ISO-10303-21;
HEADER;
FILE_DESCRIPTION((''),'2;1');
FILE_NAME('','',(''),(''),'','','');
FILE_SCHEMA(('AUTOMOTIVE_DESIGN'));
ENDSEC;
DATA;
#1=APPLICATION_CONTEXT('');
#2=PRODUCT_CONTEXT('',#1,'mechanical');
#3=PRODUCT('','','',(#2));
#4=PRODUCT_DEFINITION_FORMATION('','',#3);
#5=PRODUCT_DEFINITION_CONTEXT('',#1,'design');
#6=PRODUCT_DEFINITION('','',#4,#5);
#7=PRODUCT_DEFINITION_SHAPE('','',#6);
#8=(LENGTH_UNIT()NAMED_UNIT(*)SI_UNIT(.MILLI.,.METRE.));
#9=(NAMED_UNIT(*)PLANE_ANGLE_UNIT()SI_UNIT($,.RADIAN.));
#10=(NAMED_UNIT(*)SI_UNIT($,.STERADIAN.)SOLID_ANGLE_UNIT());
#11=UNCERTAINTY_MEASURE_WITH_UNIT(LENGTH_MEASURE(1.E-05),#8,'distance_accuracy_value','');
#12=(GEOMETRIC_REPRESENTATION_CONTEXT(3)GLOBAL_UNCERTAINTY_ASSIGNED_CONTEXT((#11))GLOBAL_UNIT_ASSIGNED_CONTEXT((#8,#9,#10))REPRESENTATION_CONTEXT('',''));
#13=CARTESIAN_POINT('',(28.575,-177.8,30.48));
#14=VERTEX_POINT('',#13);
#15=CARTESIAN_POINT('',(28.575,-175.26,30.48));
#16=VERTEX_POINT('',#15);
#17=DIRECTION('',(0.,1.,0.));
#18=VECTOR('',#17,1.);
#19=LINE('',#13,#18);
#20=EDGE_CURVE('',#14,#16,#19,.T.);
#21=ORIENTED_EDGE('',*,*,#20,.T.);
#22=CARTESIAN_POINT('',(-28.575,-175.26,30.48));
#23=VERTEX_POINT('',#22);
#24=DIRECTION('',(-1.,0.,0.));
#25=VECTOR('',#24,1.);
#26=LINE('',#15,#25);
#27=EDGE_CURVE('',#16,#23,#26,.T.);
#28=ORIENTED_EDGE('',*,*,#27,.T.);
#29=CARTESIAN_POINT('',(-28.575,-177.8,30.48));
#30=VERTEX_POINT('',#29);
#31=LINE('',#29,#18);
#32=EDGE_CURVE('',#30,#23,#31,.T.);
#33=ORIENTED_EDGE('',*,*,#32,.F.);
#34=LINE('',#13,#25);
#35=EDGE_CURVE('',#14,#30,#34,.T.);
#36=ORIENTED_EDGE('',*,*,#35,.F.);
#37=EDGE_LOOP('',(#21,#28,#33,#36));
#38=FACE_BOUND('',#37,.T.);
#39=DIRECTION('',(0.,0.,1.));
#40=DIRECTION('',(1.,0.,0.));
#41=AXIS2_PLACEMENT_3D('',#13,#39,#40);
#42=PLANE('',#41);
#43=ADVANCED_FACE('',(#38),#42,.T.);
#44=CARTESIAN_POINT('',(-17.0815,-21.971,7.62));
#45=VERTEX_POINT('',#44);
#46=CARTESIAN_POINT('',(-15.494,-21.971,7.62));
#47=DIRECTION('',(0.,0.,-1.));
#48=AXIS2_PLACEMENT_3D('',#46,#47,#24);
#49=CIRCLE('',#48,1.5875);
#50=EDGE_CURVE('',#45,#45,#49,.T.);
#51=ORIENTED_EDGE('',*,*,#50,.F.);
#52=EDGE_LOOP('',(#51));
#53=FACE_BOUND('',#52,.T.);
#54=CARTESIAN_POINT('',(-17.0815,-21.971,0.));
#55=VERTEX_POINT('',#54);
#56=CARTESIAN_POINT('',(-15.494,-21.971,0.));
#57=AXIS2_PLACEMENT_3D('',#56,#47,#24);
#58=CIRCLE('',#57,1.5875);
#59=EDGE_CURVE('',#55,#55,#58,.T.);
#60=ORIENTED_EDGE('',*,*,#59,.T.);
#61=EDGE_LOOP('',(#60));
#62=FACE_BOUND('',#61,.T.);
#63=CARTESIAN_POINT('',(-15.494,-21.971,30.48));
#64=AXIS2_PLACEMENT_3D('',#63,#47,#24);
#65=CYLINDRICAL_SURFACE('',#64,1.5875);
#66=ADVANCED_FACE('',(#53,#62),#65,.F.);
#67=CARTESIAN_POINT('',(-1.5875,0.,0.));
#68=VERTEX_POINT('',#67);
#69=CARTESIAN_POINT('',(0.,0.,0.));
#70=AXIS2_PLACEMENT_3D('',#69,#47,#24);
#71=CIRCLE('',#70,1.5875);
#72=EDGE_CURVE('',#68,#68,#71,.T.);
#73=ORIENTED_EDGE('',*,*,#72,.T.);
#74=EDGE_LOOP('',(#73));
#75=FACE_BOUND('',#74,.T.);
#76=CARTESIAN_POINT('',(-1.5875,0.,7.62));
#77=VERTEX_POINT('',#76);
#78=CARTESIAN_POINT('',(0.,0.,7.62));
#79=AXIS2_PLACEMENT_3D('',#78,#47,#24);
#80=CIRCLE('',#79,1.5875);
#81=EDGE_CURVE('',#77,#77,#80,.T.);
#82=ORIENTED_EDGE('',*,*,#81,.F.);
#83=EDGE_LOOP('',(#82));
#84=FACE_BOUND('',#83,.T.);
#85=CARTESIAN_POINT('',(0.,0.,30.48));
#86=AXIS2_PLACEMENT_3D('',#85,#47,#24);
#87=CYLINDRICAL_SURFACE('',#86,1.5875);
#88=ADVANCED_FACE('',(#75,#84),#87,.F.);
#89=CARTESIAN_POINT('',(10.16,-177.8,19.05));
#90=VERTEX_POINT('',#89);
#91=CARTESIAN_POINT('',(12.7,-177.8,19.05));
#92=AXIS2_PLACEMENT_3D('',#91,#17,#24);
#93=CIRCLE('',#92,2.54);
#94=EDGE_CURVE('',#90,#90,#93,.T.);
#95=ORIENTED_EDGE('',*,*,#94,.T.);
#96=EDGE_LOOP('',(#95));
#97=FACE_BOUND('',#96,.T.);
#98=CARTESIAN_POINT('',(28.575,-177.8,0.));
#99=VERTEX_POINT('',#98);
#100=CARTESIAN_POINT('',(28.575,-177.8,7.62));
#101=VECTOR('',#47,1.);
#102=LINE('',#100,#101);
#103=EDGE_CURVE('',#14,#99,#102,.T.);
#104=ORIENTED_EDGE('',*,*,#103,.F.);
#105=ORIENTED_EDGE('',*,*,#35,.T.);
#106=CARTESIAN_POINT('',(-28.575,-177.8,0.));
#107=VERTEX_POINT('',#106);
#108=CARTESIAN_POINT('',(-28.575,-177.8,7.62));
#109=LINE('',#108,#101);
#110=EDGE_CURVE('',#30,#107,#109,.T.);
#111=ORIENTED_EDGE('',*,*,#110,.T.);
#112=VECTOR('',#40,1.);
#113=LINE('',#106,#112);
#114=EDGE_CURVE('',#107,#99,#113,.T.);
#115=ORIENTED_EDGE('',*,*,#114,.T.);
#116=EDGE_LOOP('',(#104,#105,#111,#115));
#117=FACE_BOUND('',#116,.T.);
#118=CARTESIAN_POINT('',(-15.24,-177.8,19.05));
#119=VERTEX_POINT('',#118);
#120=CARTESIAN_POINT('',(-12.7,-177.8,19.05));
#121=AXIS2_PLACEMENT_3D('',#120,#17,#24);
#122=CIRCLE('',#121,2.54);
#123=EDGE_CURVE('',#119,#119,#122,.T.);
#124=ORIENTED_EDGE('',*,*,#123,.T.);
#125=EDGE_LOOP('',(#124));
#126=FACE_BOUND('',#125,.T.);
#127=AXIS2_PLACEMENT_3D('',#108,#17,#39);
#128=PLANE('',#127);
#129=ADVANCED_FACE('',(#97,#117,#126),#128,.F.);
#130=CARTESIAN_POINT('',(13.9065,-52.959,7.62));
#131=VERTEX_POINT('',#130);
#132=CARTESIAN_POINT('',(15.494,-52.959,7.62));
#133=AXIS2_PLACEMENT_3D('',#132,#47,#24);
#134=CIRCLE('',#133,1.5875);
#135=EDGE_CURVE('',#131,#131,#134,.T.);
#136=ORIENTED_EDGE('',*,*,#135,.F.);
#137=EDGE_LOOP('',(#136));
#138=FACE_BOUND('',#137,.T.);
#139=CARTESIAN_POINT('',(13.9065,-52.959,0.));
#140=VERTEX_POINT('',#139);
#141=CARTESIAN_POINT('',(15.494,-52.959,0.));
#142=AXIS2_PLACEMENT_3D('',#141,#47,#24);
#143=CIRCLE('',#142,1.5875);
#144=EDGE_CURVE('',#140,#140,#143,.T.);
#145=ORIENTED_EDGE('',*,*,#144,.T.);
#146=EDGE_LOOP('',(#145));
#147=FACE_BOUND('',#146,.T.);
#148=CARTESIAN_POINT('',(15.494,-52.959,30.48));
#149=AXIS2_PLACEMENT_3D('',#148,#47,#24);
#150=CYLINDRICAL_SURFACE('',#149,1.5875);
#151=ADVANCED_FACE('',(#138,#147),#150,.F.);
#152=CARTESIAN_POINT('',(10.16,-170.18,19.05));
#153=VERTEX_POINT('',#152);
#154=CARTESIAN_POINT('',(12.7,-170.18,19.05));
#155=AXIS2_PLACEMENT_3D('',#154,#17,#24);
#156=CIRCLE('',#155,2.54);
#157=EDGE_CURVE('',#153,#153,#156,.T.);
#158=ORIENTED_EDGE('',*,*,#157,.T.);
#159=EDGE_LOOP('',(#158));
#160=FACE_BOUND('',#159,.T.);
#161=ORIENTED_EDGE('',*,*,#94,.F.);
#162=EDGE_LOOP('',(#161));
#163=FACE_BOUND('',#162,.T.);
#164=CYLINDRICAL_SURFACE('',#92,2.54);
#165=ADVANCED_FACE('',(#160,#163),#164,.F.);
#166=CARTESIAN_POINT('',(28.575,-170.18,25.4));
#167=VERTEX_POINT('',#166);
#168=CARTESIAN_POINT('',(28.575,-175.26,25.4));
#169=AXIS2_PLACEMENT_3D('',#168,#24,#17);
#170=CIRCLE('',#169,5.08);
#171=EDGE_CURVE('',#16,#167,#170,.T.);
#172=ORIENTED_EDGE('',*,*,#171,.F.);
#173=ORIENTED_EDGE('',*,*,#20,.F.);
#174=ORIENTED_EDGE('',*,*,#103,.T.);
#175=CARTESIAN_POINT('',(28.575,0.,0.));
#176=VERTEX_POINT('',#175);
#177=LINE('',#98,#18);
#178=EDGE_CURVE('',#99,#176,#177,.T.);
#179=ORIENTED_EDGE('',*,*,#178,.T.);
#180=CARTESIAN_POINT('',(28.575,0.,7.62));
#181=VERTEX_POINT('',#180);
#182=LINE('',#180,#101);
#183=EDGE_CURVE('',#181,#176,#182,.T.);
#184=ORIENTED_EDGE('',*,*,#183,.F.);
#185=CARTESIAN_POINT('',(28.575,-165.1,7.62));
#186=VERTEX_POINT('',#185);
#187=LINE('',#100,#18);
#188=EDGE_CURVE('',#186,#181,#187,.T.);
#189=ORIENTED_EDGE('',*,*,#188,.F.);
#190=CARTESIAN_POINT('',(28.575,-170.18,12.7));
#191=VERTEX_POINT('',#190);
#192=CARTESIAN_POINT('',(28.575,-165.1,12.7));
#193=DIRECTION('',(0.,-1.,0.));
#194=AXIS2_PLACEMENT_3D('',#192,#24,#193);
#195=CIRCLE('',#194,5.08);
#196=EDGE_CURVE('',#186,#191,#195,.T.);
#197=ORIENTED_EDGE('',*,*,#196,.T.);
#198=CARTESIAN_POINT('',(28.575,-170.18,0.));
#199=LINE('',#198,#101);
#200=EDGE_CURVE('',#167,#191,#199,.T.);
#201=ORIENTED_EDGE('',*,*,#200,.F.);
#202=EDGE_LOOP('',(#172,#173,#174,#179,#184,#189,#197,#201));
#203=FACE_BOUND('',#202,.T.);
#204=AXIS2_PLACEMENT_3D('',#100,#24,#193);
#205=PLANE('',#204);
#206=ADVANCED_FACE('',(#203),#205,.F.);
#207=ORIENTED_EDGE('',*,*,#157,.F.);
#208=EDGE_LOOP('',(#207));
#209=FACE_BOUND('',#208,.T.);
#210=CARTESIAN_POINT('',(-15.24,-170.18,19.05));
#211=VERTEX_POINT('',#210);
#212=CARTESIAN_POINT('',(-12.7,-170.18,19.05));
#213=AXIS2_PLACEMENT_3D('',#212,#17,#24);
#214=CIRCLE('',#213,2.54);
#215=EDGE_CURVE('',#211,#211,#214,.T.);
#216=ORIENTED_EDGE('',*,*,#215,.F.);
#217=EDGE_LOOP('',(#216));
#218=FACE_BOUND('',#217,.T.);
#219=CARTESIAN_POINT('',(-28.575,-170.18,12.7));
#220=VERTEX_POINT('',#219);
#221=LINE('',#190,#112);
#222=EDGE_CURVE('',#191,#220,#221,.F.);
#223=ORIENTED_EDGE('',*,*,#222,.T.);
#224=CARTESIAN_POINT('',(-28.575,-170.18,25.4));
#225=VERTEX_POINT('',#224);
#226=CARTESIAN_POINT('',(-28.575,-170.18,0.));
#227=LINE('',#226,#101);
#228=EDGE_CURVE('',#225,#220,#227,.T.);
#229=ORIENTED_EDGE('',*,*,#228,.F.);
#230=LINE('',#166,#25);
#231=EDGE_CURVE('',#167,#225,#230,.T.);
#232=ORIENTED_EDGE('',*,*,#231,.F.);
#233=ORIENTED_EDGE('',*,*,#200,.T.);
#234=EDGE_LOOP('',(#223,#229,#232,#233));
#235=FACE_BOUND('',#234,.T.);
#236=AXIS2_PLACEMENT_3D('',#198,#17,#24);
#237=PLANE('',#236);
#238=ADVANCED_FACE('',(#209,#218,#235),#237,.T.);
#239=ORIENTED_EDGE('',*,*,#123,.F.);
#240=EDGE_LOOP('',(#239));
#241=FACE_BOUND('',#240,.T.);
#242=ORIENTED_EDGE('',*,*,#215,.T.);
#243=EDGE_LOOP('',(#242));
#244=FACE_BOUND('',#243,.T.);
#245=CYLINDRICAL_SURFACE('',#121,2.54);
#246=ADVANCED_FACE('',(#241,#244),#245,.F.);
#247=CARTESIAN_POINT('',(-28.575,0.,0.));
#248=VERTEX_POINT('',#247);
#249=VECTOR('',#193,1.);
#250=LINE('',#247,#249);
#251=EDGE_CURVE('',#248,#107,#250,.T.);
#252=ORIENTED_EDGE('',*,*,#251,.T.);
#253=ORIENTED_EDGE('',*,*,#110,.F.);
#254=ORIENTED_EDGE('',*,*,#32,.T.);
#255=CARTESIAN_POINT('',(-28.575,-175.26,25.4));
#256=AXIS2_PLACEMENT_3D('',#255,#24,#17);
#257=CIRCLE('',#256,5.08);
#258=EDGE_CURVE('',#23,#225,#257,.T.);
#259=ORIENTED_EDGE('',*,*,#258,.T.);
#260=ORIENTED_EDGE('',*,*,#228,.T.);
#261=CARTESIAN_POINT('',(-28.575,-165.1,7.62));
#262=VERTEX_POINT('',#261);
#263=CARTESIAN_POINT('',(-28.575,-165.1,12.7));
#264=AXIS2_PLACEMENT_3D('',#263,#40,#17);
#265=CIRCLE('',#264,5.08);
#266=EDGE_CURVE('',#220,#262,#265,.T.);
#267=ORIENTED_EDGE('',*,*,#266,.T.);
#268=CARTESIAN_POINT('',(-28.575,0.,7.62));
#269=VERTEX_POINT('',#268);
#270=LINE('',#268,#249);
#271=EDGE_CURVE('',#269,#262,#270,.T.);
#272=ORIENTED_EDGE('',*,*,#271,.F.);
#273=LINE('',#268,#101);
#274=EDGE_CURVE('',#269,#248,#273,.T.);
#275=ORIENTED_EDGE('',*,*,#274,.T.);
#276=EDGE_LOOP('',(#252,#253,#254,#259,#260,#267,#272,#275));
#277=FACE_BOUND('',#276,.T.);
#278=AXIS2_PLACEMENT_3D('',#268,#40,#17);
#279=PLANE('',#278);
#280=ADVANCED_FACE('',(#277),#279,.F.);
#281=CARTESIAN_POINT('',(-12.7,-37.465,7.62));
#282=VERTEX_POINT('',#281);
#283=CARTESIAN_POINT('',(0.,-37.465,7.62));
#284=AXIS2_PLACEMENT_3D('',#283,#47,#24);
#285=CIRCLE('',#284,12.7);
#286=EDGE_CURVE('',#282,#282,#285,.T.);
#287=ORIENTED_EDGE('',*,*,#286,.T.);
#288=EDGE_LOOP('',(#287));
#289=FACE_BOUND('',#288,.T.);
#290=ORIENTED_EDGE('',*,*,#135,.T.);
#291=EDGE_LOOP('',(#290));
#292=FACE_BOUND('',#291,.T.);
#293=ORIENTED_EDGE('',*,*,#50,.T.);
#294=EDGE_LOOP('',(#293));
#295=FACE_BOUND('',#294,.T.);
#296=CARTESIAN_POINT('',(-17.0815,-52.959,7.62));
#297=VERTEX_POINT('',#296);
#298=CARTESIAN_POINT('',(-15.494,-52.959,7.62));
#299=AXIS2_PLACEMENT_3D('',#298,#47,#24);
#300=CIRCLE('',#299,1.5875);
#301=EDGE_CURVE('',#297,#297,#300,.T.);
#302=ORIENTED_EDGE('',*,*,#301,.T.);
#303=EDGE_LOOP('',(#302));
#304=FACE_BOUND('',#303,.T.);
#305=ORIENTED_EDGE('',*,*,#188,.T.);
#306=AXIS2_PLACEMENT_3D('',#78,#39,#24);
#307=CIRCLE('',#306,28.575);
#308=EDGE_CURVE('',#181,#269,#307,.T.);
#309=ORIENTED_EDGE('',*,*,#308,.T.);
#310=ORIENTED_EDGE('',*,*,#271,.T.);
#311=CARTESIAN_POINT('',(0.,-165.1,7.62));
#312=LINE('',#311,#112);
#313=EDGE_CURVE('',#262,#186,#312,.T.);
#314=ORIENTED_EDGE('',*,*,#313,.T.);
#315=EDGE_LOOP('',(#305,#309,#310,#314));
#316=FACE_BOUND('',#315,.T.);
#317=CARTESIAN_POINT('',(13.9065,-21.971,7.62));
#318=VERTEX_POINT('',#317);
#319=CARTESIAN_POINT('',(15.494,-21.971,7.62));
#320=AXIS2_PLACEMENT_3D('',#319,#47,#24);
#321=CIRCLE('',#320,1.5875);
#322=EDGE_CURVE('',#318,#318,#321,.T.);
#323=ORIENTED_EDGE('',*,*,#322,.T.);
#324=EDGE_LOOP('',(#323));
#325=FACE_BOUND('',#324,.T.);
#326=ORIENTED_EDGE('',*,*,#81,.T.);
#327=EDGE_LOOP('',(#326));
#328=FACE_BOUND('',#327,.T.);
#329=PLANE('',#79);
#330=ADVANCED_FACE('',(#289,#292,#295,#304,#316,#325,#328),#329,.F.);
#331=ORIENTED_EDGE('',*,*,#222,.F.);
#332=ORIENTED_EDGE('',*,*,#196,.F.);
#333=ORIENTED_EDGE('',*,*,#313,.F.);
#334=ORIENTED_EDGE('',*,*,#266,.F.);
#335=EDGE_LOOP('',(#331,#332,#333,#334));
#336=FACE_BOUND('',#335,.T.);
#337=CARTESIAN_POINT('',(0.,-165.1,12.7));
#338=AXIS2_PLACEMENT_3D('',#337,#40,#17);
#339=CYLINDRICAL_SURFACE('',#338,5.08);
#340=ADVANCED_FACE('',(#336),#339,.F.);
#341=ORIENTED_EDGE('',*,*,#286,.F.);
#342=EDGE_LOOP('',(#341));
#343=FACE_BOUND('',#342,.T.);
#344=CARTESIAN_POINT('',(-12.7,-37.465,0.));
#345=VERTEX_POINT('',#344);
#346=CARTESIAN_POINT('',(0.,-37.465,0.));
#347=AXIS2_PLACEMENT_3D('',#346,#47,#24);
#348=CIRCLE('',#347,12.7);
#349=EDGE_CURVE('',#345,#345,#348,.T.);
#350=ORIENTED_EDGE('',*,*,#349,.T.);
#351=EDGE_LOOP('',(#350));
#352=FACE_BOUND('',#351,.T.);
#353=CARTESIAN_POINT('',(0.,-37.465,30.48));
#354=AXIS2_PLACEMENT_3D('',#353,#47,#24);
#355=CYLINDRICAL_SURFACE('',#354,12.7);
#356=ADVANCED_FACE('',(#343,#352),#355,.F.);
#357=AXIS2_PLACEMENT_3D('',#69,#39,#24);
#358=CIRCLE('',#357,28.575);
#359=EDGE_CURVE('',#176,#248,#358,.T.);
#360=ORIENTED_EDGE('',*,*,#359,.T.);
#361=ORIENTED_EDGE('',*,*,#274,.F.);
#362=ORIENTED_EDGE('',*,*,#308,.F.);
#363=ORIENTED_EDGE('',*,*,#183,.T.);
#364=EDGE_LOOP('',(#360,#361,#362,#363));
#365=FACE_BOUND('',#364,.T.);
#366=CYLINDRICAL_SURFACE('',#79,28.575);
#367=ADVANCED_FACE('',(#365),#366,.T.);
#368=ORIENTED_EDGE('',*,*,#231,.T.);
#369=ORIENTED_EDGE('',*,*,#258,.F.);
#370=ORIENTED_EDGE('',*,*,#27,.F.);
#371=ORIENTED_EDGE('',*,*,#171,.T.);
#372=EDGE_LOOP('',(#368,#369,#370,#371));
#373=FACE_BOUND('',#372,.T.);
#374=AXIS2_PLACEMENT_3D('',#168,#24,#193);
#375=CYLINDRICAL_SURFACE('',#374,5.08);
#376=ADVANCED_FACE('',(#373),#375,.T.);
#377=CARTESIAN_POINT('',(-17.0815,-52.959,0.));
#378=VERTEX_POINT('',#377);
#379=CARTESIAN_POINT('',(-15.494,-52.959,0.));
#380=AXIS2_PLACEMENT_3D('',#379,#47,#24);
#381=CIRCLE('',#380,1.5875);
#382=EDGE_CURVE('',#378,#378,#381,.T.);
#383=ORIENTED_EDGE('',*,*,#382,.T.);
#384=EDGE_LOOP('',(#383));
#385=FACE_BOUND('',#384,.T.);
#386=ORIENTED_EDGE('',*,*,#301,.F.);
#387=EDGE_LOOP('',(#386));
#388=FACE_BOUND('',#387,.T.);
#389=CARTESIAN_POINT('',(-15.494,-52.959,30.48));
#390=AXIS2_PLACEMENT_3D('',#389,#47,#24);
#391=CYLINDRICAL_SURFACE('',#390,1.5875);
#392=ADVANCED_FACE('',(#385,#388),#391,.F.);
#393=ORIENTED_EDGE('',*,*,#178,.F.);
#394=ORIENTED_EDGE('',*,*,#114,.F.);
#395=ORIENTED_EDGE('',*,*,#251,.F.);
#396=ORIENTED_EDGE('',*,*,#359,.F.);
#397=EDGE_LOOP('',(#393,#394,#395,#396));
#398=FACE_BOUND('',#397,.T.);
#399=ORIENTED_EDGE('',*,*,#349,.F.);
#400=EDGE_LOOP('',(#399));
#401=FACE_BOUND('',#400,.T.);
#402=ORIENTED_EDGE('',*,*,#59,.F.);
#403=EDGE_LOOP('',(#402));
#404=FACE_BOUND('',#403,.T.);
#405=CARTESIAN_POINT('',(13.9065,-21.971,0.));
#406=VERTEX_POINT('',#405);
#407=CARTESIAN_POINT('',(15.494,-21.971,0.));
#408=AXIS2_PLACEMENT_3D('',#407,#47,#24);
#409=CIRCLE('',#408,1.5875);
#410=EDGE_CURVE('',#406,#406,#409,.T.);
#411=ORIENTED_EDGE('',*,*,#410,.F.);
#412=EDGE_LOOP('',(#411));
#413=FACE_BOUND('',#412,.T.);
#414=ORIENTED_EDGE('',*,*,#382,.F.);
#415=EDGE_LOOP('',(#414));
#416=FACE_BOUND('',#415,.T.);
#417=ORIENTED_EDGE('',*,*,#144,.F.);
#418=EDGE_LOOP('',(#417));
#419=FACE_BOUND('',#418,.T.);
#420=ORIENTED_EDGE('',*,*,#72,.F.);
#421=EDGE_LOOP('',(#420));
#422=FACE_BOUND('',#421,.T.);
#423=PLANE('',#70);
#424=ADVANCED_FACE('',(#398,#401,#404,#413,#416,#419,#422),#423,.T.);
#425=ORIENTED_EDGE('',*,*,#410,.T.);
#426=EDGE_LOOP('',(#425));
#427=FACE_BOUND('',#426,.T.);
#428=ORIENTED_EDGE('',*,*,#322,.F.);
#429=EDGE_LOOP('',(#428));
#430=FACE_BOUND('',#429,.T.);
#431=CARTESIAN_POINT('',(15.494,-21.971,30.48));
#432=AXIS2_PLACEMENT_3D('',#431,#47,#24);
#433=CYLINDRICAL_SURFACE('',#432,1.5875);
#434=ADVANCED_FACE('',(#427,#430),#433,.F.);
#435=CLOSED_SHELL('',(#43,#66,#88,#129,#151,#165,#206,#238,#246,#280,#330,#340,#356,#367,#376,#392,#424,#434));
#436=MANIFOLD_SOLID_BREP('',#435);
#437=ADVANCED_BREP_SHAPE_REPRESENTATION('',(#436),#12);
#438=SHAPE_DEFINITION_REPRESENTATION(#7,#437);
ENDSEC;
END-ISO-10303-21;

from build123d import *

# Parameters (mm, degrees)
BOSS_EXTRUDE1_DEPTH = 7.62
BOSS_EXTRUDE2_DEPTH = 57.15
FILLET1_R           = 5.08
SKETCH3_R           = 2.54
CUT_EXTRUDE1_DEPTH  = 204.09877166
SKETCH4_R           = 1.5875
CUT_EXTRUDE2_DEPTH  = 183.642823634
SKETCH5_R           = 12.7
CUT_EXTRUDE3_DEPTH  = 183.642823634
SKETCH7_R           = 1.5875
CUT_EXTRUDE4_DEPTH  = 183.642823634


with BuildPart() as part:
    # Sketch1 → Boss-Extrude1 (new body)
    with BuildSketch(Plane.XY):
        with BuildLine():
            Line((-28.575, 0), (-28.575, -177.8))
            Line((-28.575, -177.8), (28.575, -177.8))
            Line((28.575, -177.8), (28.575, 0))
            ThreePointArc((28.575, 0), (0, 28.575), (-28.575, 0))
        make_face()
    extrude(amount=BOSS_EXTRUDE1_DEPTH)

    # Sketch2 → Boss-Extrude2 (add, through all)
    with BuildSketch(Plane.ZY.offset(28.575)):
        with BuildLine():
            Line((0, -177.8), (30.48, -177.8))
            Line((30.48, -177.8), (30.48, -175.26))
            ThreePointArc((30.48, -175.26), (28.992102448, -171.667897552), (25.4, -170.18))
            Line((25.4, -170.18), (0, -170.18))
            Line((0, -170.18), (0, -177.8))
        make_face()
    extrude(amount=-BOSS_EXTRUDE2_DEPTH)

    # Fillet1
    fillet1_edges = [part.edges().sort_by_distance(p)[0] for p in [
        (0, -170.18, 7.62),
    ]]
    fillet(fillet1_edges, radius=FILLET1_R)

    # Sketch3 → Cut-Extrude1 (cut, through all)
    with BuildSketch(Plane(origin=(0, -170.18, 0), x_dir=(1, 0, 0), z_dir=(0, 1, 0))):
        with Locations(Location((12.7, -19.05, 0), (0, 0, 180))):
            Circle(SKETCH3_R)
        with Locations(Location((-12.7, -19.05, 0), (0, 0, 180))):
            Circle(SKETCH3_R)
    extrude(amount=-CUT_EXTRUDE1_DEPTH, mode=Mode.SUBTRACT)

    # Sketch4 → Cut-Extrude2 (cut, through all)
    with BuildSketch(Plane(origin=(0, 0, 0), x_dir=(-1, 0, 0), z_dir=(0, 0, -1))):
        Circle(SKETCH4_R)
    extrude(amount=-CUT_EXTRUDE2_DEPTH, mode=Mode.SUBTRACT)

    # Sketch5 → Cut-Extrude3 (cut, through all)
    with BuildSketch(Plane(origin=(0, 0, 0), x_dir=(-1, 0, 0), z_dir=(0, 0, -1))):
        with Locations((0, -37.465)):
            Circle(SKETCH5_R)
    extrude(amount=-CUT_EXTRUDE3_DEPTH, mode=Mode.SUBTRACT)

    # Sketch7 → Cut-Extrude4 (cut, through all)
    with BuildSketch(Plane(origin=(0, 0, 0), x_dir=(-1, 0, 0), z_dir=(0, 0, -1))):
        with Locations((-15.494, -21.971)):
            Circle(SKETCH7_R)
        with Locations((15.494, -21.971)):
            Circle(SKETCH7_R)
        with Locations((15.494, -52.959)):
            Circle(SKETCH7_R)
        with Locations((-15.494, -52.959)):
            Circle(SKETCH7_R)
    extrude(amount=-CUT_EXTRUDE4_DEPTH, mode=Mode.SUBTRACT)


solid = part.part
